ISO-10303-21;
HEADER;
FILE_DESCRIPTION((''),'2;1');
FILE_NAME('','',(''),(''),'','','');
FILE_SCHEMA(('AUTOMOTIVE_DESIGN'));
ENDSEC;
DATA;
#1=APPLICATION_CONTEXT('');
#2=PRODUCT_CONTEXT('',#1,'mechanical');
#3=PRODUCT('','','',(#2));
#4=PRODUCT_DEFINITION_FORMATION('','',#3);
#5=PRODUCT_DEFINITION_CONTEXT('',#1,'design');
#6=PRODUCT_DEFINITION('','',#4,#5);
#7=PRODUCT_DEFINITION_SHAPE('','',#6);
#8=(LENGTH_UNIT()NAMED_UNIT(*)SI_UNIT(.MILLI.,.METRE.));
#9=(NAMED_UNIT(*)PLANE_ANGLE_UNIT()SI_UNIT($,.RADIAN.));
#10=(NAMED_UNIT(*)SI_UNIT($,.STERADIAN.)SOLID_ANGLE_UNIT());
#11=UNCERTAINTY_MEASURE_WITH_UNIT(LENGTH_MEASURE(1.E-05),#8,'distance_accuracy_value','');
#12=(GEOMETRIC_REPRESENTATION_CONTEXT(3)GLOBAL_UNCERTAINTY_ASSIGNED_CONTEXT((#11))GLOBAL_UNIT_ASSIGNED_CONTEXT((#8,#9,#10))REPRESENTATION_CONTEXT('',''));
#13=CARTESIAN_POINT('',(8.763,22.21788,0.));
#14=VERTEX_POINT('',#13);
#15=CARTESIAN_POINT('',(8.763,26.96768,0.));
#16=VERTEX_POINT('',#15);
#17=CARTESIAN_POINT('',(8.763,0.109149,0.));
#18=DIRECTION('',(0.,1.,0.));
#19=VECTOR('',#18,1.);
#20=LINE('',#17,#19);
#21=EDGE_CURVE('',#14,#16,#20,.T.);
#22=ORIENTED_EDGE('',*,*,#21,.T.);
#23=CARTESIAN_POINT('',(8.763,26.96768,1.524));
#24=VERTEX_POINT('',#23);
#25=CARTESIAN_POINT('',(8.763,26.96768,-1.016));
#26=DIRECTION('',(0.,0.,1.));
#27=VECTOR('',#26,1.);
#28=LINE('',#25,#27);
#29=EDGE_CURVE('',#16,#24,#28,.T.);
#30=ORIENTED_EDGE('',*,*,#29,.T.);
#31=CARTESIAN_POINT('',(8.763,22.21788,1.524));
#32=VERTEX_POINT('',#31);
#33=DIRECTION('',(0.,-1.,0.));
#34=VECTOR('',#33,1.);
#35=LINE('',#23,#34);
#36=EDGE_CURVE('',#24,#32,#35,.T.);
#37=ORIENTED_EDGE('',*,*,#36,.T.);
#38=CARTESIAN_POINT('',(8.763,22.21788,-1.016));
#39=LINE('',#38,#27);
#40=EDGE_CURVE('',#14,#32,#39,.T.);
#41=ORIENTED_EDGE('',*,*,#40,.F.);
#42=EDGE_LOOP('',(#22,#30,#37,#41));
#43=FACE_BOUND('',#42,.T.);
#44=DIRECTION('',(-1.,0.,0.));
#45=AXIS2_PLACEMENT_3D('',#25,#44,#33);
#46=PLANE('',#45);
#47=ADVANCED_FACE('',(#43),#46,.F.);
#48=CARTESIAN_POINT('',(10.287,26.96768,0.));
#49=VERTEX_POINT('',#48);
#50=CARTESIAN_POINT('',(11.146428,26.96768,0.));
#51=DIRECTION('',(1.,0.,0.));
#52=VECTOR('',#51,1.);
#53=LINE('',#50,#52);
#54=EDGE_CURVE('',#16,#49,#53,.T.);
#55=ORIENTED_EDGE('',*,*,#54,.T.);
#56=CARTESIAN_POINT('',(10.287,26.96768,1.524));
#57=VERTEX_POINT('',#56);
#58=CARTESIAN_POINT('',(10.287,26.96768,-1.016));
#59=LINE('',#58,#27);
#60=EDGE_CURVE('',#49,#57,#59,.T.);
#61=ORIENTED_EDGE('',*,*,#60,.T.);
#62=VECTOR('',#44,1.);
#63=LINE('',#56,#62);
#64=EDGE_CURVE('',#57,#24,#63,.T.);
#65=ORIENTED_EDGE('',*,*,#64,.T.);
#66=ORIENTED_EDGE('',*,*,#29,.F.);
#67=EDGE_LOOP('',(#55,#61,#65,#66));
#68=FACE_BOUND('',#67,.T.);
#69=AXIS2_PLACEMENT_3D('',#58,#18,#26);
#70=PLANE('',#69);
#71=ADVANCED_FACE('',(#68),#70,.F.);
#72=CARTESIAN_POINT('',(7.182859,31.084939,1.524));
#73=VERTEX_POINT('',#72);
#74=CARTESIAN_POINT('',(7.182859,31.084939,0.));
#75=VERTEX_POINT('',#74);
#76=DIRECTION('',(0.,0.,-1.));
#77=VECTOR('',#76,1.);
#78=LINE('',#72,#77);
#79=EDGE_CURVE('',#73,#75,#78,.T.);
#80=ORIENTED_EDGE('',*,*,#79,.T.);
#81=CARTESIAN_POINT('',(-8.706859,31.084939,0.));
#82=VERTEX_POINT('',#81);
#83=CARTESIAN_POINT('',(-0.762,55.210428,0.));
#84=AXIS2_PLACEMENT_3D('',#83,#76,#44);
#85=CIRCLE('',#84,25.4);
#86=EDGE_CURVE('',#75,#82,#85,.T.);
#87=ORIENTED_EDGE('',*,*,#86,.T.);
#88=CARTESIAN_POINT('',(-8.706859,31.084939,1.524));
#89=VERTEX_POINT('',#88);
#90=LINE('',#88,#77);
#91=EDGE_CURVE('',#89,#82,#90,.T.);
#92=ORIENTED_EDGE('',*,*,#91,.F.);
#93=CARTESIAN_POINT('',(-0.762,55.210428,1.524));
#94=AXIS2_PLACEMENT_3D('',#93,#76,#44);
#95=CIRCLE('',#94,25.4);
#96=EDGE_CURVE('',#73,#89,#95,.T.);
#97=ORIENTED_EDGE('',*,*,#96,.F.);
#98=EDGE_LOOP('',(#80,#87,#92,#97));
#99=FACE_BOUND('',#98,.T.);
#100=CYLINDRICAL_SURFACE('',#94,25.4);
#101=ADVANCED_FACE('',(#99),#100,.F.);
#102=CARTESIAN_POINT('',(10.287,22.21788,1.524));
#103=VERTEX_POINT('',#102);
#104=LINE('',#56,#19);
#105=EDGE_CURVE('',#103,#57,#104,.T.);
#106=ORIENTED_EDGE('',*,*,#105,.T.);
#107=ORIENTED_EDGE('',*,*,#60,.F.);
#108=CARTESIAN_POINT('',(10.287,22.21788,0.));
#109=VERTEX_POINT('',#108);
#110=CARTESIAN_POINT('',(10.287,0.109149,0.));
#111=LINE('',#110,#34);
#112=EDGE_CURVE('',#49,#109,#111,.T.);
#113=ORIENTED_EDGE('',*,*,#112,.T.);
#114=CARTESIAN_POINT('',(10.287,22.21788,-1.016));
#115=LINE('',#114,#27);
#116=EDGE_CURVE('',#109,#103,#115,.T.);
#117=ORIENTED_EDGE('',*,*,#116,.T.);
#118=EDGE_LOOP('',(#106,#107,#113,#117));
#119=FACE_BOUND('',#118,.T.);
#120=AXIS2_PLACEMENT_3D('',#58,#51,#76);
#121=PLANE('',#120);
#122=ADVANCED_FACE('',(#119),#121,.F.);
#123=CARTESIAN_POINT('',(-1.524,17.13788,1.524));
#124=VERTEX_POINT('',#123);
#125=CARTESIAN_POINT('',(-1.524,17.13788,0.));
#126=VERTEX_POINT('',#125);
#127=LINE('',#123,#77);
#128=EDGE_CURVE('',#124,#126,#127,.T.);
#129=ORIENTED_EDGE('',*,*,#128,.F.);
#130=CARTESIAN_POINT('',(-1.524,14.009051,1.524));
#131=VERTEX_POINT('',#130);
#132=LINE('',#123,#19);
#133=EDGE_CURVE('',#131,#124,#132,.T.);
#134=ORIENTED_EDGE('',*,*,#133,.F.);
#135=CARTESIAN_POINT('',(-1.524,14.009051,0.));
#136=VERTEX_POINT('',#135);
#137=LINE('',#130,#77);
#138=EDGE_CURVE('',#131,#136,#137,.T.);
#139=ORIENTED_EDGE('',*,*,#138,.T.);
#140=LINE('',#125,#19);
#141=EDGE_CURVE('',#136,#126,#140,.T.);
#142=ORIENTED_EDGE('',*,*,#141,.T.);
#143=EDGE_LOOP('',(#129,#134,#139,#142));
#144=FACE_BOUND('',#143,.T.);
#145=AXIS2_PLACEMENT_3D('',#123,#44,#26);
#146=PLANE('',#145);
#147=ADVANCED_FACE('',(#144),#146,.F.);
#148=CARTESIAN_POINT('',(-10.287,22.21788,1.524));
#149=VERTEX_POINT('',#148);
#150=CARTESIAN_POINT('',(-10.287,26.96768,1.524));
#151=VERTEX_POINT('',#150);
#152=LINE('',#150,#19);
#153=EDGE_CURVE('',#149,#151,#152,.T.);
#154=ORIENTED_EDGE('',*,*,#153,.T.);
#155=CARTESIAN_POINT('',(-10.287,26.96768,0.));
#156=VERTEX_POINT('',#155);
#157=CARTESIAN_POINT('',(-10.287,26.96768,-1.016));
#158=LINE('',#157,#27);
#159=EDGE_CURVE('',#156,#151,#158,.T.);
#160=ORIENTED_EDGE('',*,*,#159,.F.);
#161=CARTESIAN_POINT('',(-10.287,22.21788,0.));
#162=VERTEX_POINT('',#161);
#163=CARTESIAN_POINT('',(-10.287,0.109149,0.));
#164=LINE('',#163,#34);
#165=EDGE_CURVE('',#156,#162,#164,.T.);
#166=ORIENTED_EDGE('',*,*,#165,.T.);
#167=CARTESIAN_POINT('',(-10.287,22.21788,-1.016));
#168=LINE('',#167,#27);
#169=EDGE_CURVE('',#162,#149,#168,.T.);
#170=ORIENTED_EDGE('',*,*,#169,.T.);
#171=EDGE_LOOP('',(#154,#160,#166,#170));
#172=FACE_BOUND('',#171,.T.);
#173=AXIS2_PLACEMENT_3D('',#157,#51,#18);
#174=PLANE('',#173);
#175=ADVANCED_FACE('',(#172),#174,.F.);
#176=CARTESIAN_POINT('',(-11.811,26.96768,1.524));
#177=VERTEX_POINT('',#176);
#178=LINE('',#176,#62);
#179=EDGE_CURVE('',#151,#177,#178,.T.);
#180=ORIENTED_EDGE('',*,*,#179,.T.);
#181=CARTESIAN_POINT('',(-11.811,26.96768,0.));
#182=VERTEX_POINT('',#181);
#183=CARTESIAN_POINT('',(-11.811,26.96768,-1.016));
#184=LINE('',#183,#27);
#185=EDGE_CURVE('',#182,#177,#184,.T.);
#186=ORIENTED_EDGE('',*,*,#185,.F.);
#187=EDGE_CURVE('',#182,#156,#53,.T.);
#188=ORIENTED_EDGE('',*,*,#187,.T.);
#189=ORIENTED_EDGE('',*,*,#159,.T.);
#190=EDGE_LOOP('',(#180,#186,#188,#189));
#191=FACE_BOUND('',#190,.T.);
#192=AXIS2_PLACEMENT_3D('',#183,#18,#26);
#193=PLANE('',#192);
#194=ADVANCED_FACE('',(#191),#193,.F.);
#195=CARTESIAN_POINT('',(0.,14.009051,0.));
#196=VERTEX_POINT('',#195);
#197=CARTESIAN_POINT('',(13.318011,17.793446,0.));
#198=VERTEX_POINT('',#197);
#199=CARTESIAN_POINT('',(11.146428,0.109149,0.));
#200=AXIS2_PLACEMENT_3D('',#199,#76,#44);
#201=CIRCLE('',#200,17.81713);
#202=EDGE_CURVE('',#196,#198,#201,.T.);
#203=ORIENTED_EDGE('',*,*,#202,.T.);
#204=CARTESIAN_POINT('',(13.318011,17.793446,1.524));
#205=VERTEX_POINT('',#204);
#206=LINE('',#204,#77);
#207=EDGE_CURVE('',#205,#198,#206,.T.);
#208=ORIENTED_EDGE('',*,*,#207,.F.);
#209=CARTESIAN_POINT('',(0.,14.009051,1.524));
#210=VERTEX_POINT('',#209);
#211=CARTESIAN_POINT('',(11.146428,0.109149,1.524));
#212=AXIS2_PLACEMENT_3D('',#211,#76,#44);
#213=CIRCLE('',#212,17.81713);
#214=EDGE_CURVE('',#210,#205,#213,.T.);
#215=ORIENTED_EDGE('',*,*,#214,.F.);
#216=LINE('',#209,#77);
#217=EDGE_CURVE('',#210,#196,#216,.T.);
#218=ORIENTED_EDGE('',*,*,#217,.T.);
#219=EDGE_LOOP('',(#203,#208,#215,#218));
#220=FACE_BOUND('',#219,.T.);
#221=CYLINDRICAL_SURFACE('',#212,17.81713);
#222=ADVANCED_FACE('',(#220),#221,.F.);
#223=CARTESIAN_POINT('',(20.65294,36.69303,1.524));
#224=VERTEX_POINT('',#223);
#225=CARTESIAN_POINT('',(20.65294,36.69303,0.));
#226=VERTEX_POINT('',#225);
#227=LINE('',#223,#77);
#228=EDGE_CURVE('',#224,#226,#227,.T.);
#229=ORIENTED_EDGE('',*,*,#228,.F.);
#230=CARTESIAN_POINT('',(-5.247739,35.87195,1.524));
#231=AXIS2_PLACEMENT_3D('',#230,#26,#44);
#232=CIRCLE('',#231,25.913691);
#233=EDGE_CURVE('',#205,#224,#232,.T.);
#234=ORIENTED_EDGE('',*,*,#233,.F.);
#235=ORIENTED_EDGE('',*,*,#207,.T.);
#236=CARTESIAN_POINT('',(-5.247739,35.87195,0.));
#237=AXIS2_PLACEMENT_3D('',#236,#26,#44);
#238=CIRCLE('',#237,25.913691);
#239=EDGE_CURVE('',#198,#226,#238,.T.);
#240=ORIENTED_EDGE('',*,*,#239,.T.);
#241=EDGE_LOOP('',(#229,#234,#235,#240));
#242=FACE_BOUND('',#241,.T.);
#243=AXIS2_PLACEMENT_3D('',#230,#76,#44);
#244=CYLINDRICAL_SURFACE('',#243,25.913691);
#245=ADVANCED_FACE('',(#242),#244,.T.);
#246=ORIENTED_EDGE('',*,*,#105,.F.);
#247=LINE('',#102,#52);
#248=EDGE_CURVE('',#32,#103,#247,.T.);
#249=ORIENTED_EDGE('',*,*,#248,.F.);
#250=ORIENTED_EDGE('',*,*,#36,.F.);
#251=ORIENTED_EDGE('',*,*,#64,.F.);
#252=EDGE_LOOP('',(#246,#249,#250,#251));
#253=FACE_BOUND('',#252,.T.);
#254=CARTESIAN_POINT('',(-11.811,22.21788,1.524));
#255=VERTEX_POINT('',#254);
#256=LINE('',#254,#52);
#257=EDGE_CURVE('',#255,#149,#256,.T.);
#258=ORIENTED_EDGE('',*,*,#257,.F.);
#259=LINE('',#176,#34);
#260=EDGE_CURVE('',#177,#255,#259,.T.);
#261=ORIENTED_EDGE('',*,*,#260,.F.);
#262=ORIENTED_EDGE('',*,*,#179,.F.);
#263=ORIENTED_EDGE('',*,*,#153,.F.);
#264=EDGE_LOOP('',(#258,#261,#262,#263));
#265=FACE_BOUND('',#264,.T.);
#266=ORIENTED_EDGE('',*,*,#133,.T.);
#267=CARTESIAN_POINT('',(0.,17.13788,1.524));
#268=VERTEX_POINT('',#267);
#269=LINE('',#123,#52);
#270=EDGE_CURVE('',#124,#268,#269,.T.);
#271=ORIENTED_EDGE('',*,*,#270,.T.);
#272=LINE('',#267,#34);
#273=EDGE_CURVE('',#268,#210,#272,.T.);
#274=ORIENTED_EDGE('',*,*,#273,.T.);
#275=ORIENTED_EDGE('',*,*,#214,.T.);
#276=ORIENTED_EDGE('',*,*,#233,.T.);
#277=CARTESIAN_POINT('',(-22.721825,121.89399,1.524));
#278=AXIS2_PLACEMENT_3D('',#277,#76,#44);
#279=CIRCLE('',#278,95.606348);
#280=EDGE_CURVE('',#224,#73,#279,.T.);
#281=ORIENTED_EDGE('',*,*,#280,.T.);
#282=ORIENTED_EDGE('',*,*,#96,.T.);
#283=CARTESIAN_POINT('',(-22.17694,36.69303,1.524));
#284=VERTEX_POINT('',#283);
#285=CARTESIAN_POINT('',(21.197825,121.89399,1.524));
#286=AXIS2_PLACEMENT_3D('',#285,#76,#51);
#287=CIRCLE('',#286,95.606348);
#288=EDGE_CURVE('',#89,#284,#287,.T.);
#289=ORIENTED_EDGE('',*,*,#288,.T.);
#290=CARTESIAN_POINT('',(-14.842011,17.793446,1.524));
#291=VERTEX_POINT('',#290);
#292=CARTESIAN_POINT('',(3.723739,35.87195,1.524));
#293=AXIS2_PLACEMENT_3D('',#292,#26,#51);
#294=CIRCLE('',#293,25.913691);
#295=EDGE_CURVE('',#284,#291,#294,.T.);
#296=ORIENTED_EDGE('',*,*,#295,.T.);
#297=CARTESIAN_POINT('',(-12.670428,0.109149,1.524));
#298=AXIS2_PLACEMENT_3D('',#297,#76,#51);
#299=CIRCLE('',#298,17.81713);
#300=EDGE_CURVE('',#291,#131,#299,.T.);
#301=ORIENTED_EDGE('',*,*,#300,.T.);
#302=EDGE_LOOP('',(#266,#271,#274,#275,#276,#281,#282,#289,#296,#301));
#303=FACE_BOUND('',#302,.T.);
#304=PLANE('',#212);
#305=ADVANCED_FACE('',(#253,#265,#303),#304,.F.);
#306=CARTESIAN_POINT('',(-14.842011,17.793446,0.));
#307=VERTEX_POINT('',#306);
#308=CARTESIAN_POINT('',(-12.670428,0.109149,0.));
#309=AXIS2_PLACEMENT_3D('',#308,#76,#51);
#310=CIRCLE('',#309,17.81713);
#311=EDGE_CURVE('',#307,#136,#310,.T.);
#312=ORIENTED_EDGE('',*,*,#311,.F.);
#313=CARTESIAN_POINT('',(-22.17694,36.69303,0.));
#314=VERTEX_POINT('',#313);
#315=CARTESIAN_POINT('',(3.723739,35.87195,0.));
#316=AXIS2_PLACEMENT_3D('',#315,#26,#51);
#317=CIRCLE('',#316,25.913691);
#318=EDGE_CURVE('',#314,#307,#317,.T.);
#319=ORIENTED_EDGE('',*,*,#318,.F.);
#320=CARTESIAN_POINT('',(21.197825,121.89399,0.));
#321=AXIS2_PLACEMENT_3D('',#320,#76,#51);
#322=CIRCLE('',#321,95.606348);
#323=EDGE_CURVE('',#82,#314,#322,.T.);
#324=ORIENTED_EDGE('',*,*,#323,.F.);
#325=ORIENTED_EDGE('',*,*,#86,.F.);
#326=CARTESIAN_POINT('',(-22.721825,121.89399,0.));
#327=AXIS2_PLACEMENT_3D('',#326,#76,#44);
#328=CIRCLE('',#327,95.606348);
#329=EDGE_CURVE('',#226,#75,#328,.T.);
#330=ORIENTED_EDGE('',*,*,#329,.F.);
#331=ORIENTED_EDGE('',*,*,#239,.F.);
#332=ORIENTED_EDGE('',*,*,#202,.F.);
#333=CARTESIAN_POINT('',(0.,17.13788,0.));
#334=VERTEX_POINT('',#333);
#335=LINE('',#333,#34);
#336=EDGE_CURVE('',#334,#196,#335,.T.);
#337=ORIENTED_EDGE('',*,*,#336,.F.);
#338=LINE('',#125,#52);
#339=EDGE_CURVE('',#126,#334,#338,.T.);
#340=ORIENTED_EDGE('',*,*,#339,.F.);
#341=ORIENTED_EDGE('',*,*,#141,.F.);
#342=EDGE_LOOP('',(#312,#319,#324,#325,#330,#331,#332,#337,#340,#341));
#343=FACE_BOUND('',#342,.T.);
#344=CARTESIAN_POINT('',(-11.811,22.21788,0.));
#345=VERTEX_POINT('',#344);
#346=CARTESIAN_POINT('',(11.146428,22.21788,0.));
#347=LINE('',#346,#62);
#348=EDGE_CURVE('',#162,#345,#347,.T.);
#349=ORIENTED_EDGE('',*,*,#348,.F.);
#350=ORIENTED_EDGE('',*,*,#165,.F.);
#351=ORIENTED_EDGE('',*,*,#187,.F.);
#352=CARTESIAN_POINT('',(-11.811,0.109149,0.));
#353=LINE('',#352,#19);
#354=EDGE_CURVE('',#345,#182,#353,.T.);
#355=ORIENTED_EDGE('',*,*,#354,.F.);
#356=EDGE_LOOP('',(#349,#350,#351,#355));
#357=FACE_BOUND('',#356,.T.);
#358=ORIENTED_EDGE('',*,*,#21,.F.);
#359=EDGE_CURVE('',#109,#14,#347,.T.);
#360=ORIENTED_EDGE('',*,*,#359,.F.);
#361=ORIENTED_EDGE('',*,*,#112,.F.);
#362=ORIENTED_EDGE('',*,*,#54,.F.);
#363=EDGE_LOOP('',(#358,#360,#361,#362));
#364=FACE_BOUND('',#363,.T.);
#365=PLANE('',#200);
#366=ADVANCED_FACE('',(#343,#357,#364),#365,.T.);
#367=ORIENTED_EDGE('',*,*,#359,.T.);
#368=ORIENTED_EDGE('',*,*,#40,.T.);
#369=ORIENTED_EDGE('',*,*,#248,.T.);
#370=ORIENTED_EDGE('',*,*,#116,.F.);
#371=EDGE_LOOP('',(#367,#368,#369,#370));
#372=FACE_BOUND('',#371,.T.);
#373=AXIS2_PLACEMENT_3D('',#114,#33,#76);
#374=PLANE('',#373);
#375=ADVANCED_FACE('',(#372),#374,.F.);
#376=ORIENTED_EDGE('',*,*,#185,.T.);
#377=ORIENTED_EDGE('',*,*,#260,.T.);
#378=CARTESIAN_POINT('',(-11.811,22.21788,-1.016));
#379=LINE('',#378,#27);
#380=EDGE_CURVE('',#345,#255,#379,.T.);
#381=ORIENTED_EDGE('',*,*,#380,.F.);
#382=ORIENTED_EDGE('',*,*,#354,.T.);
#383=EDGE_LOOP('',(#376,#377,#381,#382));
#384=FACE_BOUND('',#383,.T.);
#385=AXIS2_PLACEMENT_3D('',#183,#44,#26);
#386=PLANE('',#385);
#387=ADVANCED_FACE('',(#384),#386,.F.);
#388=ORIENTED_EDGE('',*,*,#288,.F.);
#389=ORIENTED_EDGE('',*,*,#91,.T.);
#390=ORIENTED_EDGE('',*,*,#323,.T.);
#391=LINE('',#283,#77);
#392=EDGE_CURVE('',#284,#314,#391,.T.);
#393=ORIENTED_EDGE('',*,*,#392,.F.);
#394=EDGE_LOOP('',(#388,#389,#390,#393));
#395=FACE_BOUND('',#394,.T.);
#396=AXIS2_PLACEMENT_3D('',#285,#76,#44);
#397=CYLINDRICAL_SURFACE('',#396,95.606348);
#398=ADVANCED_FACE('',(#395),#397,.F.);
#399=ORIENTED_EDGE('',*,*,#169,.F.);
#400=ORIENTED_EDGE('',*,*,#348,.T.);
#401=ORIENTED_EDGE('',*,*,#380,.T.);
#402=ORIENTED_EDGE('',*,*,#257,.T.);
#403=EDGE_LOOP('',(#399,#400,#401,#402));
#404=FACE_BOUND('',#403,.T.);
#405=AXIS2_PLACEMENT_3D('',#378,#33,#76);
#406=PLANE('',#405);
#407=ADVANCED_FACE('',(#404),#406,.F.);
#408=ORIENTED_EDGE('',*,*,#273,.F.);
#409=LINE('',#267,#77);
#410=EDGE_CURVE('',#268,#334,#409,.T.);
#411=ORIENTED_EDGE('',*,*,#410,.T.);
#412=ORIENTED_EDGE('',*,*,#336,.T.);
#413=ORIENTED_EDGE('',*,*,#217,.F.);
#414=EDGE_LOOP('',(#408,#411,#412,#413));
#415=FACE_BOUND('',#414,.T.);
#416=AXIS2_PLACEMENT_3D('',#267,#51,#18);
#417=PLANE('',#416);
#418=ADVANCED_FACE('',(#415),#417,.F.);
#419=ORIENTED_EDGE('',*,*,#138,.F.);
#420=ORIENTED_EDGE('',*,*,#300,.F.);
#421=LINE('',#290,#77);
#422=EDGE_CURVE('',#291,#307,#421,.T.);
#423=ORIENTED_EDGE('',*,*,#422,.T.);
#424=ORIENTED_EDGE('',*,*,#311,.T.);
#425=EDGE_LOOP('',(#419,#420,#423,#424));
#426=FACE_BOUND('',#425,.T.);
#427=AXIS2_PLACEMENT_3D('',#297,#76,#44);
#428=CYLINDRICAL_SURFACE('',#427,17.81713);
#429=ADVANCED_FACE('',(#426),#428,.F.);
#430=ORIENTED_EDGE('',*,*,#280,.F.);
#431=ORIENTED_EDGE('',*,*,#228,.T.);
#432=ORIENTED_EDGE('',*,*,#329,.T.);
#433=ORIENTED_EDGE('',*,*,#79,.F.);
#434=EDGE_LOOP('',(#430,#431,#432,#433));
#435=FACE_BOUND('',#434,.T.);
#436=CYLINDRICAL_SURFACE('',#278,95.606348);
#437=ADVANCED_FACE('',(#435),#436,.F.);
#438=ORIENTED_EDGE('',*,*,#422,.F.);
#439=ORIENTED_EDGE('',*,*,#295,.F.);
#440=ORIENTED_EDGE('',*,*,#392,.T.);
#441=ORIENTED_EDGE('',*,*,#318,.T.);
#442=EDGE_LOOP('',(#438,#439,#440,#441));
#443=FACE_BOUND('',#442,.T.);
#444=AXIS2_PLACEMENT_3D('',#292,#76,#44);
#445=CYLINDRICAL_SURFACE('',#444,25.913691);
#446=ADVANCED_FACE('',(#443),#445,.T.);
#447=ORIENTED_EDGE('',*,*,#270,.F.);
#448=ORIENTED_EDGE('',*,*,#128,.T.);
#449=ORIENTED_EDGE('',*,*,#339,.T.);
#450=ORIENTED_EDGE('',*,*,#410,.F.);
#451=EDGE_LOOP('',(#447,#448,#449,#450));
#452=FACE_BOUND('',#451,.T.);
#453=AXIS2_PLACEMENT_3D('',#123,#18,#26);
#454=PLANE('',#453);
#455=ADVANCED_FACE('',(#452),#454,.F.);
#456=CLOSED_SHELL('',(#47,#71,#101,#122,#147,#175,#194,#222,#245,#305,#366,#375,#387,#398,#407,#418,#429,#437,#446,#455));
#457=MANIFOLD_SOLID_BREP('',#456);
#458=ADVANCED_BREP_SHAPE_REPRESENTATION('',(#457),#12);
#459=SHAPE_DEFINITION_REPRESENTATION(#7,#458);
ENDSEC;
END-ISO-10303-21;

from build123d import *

# Parameters (mm, degrees)
BOSS_EXTRUDE1_DEPTH = 1.524
SKETCH2_W           = 1.524
SKETCH2_H           = 4.7498
CUT_EXTRUDE1_DEPTH  = 2.54


with BuildPart() as part:
    # Sketch1 → Boss-Extrude1 (new body)
    with BuildSketch(Plane.XY):
        with BuildLine():
            Line((-1.524, 17.137880282), (-1.524, 14.009051361))
            ThreePointArc((-1.524, 14.009051361), (-7.800379553, 17.247782791), (-14.842010982, 17.793446045))
            ThreePointArc((-14.842010982, 17.793446045), (-20.434373625, 26.496185152), (-22.17694037, 36.693030204))
            ThreePointArc((-22.17694037, 36.693030204), (-15.549040276, 33.631644025), (-8.706859323, 31.08493933))
            ThreePointArc((-8.706859323, 31.08493933), (-0.762, 29.81042814), (7.182859323, 31.08493933))
            ThreePointArc((7.182859323, 31.08493933), (14.025040276, 33.631644025), (20.65294037, 36.693030204))
            ThreePointArc((20.65294037, 36.693030204), (18.910373625, 26.496185152), (13.318010982, 17.793446045))
            ThreePointArc((13.318010982, 17.793446045), (6.276379553, 17.247782791), (0, 14.009051361))
            Line((0, 14.009051361), (0, 17.137880282))
            Line((0, 17.137880282), (-1.524, 17.137880282))
        make_face()
    extrude(amount=BOSS_EXTRUDE1_DEPTH)

    # Sketch2 → Cut-Extrude1 (cut)
    with BuildSketch(Plane.XY.offset(1.524)):
        with Locations((-11.049, 24.592780282)):
            Rectangle(SKETCH2_W, SKETCH2_H)
        with Locations((9.525, 24.592780282)):
            Rectangle(SKETCH2_W, SKETCH2_H)
    extrude(amount=-CUT_EXTRUDE1_DEPTH, mode=Mode.SUBTRACT)


solid = part.part
